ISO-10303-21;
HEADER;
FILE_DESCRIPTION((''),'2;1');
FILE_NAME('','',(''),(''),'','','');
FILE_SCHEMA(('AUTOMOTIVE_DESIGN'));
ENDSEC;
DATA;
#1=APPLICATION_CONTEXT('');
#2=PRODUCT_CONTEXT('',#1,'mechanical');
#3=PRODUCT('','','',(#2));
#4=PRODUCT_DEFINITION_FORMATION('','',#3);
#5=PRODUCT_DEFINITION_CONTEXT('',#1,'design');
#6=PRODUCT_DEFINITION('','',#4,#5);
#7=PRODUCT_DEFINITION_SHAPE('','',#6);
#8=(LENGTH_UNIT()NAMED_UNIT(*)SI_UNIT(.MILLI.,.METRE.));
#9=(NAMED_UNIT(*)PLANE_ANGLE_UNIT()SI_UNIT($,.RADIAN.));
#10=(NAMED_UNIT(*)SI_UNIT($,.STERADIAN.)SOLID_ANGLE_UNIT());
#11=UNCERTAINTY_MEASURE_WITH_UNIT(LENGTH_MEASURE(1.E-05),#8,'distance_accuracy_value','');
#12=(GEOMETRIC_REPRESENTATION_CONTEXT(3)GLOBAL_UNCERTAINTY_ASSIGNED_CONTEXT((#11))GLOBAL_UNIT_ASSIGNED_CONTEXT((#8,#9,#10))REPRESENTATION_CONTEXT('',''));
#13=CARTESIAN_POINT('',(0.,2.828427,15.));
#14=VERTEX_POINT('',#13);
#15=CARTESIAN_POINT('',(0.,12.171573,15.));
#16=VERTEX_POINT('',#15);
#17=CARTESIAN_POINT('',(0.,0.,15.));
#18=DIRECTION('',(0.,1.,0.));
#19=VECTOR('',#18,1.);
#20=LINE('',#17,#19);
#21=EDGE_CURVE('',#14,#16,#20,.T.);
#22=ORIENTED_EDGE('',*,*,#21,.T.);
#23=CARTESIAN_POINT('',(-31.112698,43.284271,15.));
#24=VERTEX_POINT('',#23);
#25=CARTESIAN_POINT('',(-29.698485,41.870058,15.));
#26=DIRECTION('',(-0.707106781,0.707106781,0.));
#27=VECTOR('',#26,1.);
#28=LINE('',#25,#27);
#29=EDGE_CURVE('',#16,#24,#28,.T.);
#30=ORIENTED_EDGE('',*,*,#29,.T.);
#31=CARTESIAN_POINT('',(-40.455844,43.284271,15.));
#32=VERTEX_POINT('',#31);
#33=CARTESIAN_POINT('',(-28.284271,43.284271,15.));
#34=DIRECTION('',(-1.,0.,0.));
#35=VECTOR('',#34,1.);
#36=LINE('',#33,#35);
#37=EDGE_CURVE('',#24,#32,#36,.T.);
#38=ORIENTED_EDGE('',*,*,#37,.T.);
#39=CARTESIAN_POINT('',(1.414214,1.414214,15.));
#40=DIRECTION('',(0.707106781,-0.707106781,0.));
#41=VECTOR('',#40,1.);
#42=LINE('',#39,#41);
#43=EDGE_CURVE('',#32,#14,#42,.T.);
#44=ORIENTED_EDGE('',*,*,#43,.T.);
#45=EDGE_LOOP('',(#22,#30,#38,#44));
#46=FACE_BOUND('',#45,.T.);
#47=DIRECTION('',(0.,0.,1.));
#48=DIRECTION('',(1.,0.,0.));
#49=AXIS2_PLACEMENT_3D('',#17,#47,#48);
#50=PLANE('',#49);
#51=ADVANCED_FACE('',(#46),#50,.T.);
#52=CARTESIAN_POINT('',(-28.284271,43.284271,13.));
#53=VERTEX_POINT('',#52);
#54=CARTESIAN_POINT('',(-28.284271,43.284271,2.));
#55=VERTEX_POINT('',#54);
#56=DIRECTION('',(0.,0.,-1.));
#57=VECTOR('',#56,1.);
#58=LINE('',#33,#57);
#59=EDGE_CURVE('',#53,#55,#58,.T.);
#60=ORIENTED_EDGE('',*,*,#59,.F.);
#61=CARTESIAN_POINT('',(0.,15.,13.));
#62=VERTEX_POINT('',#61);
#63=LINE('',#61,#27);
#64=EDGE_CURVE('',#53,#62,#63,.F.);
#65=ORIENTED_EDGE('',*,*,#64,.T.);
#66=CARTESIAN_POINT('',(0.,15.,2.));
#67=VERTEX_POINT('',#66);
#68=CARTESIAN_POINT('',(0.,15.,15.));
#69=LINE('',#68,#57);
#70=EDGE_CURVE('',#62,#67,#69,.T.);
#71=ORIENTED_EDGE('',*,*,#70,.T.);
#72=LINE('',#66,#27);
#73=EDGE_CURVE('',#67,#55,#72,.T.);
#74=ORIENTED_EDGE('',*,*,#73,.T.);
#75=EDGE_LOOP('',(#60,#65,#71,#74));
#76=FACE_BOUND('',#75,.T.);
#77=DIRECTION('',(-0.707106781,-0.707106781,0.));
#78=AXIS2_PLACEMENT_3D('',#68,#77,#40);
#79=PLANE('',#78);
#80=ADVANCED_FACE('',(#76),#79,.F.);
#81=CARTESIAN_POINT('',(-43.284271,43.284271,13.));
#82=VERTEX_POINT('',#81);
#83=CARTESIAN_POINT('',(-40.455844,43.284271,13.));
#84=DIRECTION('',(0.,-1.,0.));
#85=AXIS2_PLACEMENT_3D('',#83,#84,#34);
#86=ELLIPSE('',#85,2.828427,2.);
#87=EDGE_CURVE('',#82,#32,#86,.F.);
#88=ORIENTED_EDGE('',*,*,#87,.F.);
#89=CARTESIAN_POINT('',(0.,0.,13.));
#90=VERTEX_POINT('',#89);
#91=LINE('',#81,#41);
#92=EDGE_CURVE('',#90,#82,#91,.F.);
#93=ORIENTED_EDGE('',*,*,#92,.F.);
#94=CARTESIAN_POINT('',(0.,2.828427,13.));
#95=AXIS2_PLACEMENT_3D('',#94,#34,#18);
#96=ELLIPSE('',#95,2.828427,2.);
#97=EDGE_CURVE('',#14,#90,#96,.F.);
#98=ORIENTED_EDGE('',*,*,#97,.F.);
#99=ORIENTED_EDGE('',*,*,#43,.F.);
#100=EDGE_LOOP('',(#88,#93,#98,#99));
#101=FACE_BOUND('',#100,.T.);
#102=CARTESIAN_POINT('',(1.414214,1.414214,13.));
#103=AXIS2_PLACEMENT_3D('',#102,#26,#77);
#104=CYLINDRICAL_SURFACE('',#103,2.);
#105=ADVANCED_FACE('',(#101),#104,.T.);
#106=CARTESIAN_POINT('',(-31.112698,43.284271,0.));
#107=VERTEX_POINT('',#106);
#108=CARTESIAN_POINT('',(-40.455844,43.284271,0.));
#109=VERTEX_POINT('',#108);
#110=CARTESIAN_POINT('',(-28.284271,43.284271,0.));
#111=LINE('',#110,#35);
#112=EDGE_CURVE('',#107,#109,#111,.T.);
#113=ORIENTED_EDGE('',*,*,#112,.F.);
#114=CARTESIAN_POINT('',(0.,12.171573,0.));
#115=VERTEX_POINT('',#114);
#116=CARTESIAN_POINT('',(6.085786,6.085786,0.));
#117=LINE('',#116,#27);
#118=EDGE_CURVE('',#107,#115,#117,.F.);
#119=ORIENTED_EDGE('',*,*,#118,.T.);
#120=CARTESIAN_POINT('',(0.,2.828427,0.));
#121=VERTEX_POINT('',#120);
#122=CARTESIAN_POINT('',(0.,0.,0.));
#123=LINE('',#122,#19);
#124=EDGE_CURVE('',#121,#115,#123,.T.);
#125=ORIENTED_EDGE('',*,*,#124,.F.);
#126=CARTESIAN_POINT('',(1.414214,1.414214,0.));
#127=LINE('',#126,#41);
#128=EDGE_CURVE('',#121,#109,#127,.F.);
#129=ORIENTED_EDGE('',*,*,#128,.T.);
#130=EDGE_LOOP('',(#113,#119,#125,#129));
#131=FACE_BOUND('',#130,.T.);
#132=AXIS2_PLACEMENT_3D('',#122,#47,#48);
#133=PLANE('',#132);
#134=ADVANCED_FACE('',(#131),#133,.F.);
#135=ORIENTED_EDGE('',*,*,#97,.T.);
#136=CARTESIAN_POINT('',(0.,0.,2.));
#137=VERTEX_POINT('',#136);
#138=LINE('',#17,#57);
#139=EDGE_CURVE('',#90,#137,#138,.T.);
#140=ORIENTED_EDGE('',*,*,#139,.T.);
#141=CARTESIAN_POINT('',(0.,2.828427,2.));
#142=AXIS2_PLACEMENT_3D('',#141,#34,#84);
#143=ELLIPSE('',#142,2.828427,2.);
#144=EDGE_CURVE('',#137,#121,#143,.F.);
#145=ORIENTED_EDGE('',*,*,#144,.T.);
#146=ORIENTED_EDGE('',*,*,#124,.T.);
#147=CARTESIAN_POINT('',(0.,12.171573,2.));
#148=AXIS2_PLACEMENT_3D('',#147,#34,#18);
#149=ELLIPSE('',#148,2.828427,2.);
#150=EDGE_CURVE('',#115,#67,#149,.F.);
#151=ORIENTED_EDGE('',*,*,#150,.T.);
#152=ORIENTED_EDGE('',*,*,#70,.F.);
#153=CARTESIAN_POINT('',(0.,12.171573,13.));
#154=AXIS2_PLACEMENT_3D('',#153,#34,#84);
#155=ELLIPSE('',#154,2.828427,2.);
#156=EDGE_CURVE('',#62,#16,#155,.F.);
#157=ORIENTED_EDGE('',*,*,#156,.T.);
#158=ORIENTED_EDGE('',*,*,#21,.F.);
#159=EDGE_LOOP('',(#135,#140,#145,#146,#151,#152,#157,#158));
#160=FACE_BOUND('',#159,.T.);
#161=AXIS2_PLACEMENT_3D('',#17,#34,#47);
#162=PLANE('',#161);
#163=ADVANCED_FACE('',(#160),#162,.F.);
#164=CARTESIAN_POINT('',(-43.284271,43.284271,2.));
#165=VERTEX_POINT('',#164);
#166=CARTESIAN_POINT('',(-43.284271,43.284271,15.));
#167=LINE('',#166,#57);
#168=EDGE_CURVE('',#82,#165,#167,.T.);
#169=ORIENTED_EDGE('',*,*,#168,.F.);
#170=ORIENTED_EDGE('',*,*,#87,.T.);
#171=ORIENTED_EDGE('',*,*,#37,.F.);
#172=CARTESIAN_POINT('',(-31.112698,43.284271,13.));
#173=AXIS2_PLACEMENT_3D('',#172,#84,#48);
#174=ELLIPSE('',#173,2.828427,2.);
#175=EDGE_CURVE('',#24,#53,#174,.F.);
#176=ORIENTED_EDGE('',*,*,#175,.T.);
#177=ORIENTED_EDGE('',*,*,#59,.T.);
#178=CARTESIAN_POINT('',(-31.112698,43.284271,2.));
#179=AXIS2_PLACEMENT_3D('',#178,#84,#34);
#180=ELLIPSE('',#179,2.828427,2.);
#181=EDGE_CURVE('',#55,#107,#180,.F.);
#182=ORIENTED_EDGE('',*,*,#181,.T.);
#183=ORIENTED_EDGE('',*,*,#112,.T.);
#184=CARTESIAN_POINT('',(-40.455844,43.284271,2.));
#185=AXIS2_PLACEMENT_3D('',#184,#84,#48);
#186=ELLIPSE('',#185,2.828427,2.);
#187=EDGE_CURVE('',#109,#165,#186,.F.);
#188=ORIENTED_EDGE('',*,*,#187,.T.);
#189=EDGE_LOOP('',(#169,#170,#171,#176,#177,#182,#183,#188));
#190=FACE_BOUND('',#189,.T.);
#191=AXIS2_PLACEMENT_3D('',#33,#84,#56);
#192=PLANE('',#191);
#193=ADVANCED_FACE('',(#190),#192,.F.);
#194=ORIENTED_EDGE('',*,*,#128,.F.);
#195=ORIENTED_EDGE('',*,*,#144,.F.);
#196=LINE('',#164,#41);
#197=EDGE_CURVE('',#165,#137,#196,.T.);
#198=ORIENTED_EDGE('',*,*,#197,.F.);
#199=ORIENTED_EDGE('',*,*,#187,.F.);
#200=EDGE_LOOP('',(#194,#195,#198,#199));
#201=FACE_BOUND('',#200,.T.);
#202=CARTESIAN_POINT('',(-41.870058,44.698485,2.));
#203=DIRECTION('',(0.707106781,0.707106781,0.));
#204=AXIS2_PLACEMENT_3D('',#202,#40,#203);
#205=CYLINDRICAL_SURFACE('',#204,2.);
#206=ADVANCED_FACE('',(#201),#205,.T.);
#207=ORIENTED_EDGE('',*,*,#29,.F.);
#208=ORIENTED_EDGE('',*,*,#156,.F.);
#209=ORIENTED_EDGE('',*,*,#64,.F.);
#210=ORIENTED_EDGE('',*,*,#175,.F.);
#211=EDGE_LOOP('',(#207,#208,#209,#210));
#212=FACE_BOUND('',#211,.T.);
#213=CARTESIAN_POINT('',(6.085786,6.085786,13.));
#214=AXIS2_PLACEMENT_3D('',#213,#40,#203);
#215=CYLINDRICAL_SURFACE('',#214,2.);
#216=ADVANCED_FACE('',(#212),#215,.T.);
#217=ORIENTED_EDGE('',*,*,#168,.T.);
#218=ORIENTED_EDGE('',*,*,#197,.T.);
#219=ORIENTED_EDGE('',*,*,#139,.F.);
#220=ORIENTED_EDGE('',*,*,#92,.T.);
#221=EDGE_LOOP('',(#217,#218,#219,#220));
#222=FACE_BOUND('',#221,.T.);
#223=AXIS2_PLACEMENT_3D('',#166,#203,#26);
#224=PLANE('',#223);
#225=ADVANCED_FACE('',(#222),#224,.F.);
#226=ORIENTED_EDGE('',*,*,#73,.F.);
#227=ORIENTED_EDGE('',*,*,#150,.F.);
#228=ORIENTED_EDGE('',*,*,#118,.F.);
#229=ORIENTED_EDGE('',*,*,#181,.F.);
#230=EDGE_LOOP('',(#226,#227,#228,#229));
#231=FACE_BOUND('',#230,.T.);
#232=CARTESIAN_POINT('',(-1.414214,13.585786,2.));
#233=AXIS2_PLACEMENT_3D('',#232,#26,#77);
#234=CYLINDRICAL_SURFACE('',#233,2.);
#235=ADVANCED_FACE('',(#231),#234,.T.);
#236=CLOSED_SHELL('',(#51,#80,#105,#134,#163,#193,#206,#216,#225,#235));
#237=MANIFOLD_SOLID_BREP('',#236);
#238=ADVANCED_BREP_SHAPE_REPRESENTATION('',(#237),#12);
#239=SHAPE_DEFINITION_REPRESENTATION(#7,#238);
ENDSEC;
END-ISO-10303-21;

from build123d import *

# Parameters (mm, degrees)
BOSS_EXTRUDE1_DEPTH = 15
FILLET1_R           = 2


with BuildPart() as part:
    # Sketch1 → Boss-Extrude1 (new body)
    with BuildSketch(Plane.XY):
        Polygon((0, 0), (0, 15), (-28.284271247, 43.284271247), (-43.284271247, 43.284271247), align=None)
    extrude(amount=BOSS_EXTRUDE1_DEPTH)

    # Fillet1
    fillet1_edges = [part.edges().sort_by_distance(p)[0] for p in [
        (-14.142135624, 29.142135624, 15),
        (-21.642135624, 21.642135624, 15),
        (-14.142135624, 29.142135624, 0),
        (-21.642135624, 21.642135624, 0),
    ]]
    fillet(fillet1_edges, radius=FILLET1_R)


solid = part.part
